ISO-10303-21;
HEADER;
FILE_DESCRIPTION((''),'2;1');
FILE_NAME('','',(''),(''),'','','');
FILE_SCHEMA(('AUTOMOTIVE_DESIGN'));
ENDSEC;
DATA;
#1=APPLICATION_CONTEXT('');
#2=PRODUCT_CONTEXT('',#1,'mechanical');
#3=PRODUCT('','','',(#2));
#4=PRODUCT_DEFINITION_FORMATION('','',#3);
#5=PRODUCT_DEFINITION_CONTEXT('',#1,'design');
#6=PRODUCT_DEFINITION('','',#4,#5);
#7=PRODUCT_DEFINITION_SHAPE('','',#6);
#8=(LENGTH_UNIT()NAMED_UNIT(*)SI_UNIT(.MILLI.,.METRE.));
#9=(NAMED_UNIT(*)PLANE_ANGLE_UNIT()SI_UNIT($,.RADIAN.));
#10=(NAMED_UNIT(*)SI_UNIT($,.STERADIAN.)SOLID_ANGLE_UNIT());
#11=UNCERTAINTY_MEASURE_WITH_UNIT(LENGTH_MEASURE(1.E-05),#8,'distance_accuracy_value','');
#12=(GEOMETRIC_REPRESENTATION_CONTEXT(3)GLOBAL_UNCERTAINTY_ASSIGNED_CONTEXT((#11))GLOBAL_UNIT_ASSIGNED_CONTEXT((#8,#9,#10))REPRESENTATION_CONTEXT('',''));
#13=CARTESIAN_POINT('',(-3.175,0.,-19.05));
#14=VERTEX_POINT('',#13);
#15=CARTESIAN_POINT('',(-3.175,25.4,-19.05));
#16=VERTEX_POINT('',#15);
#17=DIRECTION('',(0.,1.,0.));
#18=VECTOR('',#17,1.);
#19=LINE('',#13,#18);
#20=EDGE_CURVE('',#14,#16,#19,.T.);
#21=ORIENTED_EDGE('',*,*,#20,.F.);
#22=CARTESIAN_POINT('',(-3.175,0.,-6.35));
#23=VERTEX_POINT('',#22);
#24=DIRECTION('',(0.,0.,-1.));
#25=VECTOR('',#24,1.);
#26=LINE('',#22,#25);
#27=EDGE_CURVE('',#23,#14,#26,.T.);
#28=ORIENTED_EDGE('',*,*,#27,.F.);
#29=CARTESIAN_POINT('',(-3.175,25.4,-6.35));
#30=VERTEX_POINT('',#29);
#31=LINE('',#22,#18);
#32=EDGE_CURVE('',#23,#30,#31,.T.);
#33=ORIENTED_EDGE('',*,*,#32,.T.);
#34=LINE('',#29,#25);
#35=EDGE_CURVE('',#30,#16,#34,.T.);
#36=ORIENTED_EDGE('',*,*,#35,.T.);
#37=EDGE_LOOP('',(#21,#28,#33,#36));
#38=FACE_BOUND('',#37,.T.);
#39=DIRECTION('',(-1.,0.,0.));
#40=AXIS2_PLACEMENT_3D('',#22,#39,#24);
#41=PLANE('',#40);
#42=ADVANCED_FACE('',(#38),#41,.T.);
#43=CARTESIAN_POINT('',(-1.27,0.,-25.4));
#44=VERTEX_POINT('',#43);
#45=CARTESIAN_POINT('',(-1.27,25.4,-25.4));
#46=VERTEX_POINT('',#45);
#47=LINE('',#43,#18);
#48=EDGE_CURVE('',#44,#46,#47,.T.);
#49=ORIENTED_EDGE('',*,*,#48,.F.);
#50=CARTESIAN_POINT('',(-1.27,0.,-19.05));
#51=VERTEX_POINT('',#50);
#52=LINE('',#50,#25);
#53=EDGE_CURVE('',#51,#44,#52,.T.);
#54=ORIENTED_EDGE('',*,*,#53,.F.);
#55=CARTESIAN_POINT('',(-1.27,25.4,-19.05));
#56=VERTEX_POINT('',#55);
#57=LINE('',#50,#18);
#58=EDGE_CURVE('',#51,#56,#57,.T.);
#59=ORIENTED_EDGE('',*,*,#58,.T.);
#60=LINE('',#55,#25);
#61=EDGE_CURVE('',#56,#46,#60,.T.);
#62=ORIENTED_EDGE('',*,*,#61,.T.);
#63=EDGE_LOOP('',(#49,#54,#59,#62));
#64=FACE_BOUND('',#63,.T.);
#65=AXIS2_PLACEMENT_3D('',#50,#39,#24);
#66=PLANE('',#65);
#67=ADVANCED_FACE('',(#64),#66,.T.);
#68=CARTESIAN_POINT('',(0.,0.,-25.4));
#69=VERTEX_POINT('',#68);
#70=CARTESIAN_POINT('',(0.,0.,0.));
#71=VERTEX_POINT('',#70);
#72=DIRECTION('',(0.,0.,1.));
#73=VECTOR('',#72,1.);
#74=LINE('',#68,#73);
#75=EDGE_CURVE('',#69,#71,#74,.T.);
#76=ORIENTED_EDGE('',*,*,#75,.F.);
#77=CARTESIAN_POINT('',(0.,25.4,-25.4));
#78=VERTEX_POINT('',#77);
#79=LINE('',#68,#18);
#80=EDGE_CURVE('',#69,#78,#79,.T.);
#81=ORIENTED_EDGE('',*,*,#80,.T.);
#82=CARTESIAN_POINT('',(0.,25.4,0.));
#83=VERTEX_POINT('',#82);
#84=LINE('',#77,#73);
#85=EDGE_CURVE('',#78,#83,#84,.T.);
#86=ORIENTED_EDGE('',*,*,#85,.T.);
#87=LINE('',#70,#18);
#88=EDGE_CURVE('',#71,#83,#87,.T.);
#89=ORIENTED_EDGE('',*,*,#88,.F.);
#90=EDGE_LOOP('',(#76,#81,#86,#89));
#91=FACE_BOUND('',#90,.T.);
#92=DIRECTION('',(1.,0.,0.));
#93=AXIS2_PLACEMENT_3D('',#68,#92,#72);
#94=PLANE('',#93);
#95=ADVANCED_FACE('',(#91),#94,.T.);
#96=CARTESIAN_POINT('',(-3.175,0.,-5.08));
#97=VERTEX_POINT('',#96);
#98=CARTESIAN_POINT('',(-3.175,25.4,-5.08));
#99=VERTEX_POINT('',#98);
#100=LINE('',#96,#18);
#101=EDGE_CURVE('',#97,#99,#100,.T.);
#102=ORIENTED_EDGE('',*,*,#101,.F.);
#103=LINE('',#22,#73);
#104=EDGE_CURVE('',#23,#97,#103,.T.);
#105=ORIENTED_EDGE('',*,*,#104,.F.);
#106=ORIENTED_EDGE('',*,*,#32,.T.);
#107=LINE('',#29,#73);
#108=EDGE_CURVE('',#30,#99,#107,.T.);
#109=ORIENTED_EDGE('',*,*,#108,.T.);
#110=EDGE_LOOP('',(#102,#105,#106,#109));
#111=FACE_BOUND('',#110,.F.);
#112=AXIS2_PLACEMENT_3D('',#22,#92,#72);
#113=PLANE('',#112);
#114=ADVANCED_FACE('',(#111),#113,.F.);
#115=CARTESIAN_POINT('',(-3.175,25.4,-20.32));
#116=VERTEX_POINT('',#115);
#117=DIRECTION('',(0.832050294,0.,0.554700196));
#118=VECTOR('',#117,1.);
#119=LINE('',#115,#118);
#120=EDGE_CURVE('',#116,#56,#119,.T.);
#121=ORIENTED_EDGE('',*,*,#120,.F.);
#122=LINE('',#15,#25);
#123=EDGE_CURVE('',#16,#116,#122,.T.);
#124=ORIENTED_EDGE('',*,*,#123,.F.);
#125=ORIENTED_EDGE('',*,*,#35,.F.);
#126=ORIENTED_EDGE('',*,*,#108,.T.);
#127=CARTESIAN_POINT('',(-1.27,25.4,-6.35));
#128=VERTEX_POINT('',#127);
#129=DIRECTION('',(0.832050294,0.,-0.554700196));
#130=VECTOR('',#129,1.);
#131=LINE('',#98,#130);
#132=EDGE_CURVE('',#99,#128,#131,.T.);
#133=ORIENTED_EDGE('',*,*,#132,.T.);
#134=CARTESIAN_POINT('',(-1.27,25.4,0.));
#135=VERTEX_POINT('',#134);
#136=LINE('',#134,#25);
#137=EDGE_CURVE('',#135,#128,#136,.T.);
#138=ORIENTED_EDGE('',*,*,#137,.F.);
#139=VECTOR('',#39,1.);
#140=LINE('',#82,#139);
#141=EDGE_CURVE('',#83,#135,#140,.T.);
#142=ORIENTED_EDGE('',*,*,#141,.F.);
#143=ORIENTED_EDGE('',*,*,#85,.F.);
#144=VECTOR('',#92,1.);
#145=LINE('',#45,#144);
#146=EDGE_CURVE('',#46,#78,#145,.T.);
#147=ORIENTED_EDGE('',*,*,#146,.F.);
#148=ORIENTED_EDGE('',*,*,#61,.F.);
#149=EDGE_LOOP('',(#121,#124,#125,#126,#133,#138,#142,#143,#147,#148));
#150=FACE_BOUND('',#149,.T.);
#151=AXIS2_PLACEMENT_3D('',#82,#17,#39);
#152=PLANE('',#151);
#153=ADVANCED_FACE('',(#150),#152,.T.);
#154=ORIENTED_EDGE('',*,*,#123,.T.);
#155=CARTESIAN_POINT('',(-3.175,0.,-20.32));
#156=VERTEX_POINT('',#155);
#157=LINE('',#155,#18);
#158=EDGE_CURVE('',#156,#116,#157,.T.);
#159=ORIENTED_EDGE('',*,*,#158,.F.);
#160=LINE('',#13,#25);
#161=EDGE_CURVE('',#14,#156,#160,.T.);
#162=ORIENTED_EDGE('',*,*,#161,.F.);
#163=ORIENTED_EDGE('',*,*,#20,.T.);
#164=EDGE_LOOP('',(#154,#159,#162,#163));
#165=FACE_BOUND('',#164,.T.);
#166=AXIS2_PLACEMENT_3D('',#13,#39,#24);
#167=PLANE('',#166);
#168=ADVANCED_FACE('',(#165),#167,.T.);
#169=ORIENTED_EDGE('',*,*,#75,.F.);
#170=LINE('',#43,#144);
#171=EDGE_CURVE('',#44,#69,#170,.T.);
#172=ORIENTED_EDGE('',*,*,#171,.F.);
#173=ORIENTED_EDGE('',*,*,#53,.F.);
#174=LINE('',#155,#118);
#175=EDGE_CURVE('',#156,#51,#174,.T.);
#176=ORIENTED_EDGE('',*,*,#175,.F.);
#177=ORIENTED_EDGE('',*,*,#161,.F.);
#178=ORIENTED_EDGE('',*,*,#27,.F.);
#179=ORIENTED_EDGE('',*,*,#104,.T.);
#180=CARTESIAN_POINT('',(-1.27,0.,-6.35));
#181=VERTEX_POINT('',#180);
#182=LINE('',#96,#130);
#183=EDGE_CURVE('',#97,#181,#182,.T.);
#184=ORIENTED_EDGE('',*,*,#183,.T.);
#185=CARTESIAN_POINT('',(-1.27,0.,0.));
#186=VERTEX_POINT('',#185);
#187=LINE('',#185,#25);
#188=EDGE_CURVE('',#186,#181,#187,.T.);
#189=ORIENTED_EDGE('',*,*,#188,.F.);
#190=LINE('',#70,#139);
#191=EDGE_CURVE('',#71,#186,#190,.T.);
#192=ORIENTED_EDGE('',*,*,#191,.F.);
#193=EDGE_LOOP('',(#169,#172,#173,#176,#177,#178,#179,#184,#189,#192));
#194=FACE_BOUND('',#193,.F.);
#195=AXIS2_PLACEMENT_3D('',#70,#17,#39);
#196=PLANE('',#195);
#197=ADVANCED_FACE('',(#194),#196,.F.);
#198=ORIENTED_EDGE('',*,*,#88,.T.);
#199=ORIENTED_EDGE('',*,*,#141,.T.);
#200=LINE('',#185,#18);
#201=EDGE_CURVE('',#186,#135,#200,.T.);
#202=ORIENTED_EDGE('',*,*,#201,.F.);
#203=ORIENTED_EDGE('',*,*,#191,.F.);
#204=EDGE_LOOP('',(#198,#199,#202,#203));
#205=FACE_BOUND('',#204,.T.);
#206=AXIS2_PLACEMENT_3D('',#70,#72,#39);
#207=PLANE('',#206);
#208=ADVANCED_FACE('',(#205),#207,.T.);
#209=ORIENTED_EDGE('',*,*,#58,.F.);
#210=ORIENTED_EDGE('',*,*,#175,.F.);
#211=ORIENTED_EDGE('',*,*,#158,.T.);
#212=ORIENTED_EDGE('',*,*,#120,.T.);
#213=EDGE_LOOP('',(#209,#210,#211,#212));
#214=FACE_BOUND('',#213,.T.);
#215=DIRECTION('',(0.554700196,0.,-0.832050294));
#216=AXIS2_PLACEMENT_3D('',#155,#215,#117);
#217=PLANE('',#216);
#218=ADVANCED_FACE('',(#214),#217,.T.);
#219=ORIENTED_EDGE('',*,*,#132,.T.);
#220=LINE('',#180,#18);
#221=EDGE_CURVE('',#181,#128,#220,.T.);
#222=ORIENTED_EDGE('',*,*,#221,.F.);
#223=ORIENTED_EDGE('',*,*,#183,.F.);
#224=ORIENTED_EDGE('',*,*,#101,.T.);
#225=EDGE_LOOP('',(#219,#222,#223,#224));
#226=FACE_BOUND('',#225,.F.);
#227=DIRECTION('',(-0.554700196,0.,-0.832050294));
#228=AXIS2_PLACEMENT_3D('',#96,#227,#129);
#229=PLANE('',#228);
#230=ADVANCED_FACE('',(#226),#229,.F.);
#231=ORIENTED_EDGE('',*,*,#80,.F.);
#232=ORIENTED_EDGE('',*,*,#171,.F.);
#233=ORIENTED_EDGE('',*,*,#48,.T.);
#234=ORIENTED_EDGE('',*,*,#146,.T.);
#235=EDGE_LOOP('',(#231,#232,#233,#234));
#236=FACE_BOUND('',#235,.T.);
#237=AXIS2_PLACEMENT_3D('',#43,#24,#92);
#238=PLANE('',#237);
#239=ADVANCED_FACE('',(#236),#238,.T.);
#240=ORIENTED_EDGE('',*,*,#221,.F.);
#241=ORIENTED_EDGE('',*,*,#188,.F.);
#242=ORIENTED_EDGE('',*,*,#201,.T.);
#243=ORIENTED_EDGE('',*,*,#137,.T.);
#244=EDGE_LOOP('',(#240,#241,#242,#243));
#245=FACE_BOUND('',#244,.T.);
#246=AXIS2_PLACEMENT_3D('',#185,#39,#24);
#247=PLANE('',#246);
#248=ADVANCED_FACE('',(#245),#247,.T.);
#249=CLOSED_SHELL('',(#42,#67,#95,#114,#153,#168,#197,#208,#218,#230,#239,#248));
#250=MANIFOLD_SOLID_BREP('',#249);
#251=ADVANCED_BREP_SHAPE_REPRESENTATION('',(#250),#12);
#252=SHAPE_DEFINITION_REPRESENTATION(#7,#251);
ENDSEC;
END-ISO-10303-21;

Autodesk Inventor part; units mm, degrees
ref_plane "YZ Plane" through (0, 0, 0) normal (1, 0, 0) x (0, 1, 0)
ref_plane "XZ Plane" through (0, 0, 0) normal (0, 1, 0) x (-1, 0, 0)
ref_plane "XY Plane" through (0, 0, 0) normal (0, 0, 1) x (1, 0, 0)
sketch "Sketch1" plane through (0, 0, 0) normal (0, 1, 0) x (-1, 0, 0)
  line L0 (0, 0) -> (1.27, 0)
  line L1 (1.27, -25.4) -> (0, -25.4)
  line L2 (0, -25.4) -> (0, 0)
  line L3 (1.27, -6.35) -> (3.175, -6.35) construction
  line L4 (3.175, -6.35) -> (3.175, -19.05)
  line L5 (3.175, -19.05) -> (1.27, -19.05) construction
  line L6 (3.175, -19.05) -> (3.175, -20.32)
  line L7 (3.175, -20.32) -> (1.27, -19.05)
  line L8 (3.175, -6.35) -> (3.175, -5.08)
  line L9 (3.175, -5.08) -> (1.27, -6.35)
  line L10 (1.27, 0) -> (1.27, -6.35)
  line L11 (1.27, -19.05) -> (1.27, -25.4)
  dimension "d0" = 1.27
  dimension "d1" = 25.4
  dimension "d3" = 12.7
  dimension "d4" = 6.35
  dimension "d7" = 1.27
  dimension "d8" = 1.27
extrude "Extrusion1" add sketch "Sketch1" along normal blind 25.4
properties part number "Sliding lock male test"
